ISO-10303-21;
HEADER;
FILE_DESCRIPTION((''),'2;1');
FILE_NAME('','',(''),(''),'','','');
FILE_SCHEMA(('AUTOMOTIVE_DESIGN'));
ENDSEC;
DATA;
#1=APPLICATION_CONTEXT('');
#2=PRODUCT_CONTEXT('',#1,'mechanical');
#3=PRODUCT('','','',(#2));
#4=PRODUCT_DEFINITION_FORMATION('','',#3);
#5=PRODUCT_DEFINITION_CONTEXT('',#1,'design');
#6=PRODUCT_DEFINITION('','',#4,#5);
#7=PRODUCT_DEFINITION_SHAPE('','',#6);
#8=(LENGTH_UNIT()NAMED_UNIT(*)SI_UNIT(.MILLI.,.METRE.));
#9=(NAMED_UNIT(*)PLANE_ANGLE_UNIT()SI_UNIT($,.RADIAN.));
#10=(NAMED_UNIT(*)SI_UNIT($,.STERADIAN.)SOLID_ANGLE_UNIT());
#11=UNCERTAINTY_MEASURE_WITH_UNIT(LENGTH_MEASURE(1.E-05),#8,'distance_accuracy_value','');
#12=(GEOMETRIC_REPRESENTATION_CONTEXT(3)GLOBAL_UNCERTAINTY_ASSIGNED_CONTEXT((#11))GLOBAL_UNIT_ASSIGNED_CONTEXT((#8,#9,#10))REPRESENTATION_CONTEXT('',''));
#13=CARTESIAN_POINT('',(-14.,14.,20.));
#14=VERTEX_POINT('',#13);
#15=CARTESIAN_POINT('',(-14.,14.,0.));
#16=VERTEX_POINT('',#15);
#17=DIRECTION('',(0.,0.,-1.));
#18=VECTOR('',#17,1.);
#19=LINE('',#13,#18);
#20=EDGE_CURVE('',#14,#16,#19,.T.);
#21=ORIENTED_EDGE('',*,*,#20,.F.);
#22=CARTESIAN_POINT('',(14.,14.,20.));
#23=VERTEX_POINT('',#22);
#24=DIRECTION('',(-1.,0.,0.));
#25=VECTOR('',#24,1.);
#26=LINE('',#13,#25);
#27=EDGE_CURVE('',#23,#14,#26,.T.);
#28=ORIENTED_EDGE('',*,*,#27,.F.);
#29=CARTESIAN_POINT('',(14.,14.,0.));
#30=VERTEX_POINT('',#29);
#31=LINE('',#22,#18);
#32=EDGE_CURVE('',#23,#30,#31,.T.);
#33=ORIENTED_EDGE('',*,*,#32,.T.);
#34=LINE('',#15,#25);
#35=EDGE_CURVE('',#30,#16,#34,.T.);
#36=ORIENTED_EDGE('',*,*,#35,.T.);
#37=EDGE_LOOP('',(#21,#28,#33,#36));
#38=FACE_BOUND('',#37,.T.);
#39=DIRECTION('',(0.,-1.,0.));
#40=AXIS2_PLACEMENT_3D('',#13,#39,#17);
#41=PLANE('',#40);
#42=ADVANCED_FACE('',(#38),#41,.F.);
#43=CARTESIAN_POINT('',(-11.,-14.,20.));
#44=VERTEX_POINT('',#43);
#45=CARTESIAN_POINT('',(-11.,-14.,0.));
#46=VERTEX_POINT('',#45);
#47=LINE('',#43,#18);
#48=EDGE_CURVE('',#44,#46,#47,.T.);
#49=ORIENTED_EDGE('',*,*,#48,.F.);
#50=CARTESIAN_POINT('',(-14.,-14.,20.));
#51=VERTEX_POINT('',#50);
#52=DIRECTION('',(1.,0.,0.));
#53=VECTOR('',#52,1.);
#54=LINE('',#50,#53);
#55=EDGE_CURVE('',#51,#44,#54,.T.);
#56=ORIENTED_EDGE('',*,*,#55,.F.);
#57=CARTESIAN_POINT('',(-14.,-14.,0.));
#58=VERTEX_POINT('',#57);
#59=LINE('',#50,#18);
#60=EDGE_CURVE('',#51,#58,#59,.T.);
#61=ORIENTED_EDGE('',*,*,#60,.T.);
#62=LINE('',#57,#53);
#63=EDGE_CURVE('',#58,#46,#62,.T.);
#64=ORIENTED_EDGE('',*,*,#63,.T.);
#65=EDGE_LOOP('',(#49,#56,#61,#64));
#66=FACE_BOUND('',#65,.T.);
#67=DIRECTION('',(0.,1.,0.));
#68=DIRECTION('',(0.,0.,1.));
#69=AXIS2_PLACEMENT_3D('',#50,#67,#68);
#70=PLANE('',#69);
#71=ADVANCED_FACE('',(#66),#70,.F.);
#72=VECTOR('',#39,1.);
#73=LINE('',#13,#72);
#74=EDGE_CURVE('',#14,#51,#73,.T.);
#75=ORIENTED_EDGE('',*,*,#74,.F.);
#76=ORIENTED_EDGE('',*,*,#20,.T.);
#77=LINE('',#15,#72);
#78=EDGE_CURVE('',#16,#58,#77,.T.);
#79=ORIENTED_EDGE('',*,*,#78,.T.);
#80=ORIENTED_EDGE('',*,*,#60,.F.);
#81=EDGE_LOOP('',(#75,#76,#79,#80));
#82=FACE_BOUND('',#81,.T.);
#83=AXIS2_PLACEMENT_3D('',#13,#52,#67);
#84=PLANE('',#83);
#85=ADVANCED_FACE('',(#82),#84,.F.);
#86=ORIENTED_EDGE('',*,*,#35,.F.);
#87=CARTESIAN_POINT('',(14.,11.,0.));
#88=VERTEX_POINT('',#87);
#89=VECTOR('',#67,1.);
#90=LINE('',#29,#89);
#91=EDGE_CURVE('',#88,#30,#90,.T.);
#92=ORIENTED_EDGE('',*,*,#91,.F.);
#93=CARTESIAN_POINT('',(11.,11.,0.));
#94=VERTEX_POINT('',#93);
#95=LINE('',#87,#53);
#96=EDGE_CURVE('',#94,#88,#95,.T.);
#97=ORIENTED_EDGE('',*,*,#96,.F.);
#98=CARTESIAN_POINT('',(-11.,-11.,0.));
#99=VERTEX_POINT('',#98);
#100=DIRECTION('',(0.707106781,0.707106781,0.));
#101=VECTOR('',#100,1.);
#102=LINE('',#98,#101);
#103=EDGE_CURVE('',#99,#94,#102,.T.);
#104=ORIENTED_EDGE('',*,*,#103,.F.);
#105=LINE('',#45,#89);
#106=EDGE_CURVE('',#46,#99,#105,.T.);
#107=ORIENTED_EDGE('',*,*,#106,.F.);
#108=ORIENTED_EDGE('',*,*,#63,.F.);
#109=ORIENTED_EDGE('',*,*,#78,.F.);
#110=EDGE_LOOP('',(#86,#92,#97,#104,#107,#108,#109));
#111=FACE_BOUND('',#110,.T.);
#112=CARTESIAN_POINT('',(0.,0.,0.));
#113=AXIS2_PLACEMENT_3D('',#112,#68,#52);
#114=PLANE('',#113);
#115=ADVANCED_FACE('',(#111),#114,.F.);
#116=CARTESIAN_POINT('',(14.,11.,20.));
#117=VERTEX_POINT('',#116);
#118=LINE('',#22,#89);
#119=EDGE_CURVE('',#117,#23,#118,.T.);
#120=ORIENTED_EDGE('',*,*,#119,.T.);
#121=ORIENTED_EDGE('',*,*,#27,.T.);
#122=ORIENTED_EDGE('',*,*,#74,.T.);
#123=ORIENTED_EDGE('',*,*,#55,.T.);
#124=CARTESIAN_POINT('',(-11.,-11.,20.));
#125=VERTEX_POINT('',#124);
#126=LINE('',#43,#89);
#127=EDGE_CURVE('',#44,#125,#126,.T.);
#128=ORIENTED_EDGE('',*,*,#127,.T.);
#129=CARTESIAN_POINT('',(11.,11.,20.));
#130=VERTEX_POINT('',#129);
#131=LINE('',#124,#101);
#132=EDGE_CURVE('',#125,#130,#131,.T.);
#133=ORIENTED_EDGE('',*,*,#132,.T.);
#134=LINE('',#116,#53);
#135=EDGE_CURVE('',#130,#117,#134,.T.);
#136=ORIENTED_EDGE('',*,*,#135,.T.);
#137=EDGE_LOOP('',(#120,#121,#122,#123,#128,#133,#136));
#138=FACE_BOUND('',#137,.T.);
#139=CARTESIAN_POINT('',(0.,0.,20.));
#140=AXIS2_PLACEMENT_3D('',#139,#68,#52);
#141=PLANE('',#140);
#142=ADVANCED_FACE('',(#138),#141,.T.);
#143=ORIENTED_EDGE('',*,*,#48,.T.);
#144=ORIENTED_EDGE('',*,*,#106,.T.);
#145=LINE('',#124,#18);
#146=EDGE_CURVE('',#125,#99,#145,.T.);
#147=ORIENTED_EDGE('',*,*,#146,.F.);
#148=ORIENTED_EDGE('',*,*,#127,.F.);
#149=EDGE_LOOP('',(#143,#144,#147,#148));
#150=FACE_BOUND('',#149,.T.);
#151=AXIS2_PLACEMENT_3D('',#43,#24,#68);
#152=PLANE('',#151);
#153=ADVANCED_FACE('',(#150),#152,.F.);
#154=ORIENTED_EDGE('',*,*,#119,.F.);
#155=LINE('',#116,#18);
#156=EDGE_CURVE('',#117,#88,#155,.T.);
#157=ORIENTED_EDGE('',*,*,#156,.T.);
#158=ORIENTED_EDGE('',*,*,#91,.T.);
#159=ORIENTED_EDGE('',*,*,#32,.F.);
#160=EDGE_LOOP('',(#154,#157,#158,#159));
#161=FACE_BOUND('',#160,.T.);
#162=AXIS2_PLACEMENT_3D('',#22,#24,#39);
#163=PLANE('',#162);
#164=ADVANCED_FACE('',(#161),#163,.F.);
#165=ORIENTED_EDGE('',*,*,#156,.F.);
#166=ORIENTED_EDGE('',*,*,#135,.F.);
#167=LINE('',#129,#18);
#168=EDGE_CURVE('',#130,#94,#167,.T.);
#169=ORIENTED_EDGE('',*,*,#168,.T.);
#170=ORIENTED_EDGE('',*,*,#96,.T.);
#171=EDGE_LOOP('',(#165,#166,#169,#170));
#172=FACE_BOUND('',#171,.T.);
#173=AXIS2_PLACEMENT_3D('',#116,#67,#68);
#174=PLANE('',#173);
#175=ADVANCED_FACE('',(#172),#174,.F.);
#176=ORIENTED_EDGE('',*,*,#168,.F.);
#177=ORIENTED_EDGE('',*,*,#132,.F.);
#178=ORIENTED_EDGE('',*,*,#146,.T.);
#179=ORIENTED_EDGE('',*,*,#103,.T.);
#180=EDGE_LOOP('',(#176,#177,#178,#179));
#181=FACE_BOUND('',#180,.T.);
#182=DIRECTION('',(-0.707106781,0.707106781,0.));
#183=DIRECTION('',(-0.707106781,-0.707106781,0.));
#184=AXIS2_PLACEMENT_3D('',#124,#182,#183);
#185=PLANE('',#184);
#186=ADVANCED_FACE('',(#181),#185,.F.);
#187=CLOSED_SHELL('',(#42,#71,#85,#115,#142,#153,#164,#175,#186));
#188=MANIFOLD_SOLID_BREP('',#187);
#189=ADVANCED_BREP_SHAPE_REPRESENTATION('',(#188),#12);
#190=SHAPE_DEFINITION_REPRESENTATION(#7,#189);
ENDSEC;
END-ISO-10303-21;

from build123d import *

# Parameters (mm, degrees)
EXTRUDE_1_DEPTH = 20


with BuildPart() as part:
    # 草圖1 → 填料-伸長1 (new body)
    with BuildSketch(Plane.XY):
        Polygon((-11, -11), (11, 11), (14, 11), (14, 14), (-14, 14), (-14, -14), (-11, -14), align=None)
    extrude(amount=EXTRUDE_1_DEPTH)


solid = part.part
